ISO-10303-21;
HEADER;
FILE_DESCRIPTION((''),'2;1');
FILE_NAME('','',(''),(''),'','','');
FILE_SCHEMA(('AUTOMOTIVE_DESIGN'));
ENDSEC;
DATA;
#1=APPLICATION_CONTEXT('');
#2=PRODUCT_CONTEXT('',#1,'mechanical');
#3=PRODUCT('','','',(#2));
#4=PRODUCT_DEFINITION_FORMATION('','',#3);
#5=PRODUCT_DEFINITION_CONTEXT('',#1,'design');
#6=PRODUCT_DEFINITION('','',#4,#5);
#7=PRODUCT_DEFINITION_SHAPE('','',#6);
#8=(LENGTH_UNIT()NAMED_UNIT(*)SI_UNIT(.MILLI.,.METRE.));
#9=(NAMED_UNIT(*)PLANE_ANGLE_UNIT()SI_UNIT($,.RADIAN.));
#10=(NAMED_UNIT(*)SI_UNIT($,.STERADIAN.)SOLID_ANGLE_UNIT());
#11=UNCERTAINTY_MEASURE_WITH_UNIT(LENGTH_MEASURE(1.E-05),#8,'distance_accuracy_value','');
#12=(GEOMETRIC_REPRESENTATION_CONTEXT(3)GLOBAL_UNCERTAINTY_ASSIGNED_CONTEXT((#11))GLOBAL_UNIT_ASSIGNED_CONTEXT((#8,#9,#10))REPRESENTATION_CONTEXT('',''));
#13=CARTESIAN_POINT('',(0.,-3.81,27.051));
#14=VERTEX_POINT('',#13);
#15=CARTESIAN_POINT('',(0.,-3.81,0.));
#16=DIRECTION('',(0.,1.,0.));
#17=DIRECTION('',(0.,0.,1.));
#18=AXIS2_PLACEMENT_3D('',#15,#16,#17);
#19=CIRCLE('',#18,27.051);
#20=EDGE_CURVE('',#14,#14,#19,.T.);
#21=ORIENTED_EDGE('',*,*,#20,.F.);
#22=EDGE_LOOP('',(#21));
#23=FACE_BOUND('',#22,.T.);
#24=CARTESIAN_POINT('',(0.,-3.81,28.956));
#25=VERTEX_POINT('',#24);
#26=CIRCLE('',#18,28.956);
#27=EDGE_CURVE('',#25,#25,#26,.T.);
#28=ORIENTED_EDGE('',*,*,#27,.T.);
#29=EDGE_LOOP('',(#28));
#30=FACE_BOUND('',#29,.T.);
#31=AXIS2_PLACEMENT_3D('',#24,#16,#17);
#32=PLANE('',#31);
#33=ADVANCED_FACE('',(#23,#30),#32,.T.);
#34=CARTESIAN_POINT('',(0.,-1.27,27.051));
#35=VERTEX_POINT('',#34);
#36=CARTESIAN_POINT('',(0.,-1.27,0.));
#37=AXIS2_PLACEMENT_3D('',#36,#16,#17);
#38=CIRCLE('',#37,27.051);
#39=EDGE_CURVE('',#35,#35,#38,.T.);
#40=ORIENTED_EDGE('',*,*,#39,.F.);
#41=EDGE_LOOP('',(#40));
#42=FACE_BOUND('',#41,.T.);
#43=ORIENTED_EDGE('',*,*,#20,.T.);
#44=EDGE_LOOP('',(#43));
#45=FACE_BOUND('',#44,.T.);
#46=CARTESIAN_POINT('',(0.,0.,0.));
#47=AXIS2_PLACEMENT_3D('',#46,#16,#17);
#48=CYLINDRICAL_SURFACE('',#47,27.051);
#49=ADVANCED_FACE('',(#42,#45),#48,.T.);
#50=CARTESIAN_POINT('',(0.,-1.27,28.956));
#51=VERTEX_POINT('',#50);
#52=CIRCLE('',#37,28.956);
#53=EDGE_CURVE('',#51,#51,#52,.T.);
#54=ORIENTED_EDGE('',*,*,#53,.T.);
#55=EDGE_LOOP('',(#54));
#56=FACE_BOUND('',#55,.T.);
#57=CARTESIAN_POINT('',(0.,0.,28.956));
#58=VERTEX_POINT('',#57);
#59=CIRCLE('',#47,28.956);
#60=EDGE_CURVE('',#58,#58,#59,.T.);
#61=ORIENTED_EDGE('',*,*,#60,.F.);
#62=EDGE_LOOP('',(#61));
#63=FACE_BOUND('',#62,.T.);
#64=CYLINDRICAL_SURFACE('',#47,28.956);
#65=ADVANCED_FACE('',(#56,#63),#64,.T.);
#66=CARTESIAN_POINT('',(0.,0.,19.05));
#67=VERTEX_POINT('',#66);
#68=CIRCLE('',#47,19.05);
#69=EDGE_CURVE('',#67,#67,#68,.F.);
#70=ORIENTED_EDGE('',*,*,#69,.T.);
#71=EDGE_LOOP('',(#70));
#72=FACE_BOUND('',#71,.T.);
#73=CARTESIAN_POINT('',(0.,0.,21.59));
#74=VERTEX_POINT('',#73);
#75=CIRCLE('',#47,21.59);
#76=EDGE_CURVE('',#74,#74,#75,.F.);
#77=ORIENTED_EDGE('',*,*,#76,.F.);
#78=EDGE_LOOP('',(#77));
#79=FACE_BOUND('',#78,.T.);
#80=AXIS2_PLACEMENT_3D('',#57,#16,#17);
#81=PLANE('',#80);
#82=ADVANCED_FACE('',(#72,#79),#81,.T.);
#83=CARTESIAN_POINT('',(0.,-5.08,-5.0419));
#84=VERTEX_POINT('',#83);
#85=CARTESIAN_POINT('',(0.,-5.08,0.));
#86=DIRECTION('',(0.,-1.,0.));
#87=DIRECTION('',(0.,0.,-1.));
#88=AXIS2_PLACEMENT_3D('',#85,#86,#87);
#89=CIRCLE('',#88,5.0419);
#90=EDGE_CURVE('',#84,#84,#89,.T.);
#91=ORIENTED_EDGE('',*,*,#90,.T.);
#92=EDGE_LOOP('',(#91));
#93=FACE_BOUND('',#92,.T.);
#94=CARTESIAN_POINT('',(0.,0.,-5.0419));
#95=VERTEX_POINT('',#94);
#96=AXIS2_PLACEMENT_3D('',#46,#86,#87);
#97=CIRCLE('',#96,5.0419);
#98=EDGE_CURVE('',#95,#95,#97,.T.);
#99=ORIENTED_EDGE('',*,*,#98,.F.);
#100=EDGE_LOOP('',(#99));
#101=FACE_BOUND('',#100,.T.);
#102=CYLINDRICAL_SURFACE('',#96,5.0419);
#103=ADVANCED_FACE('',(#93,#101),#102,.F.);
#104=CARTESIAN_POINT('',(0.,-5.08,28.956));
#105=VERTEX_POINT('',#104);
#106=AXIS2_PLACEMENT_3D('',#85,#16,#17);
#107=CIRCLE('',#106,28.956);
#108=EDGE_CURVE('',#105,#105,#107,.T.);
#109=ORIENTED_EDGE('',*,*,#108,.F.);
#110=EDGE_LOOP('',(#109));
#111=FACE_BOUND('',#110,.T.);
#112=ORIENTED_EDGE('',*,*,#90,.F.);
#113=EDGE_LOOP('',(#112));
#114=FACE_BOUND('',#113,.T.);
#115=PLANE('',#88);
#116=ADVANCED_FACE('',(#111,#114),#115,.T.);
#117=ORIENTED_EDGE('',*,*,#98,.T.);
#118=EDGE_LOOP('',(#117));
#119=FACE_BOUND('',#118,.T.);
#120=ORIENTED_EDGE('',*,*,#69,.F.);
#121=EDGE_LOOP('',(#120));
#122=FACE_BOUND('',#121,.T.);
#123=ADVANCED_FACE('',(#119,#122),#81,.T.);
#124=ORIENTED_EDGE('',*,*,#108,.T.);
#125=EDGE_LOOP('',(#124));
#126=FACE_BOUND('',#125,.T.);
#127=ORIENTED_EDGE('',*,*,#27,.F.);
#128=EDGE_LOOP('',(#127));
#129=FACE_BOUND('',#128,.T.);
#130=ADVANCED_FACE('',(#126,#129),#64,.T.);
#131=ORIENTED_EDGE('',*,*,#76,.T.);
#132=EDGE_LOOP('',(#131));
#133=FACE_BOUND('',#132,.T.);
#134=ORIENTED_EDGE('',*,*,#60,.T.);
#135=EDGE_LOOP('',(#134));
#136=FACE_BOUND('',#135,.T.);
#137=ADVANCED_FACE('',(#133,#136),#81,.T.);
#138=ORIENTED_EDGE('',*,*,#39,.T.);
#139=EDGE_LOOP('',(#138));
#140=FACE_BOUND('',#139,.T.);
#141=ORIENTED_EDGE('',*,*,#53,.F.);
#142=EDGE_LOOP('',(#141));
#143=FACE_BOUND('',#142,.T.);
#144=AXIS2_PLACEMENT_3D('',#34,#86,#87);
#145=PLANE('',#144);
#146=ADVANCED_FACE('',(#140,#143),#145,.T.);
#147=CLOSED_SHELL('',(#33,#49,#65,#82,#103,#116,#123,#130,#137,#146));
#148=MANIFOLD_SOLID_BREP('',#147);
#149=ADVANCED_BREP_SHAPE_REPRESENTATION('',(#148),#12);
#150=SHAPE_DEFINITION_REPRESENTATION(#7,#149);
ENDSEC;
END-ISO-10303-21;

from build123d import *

# Parameters (mm, degrees)
SKETCH6_R          = 5.0419
CUT_EXTRUDE1_DEPTH = 6.08


with BuildPart() as part:
    # Sketch1 → Revolve1 (revolve)
    with BuildSketch(Plane(origin=(0, 0, 0), x_dir=(0, 0, -1), z_dir=(1, 0, 0))):
        Polygon((0, 0), (0, -5.08), (-28.956, -5.08), (-28.956, -3.81), (-27.051, -3.81), (-27.051, -1.27), (-28.956, -1.27), (-28.956, 0), align=None)
    revolve(axis=Axis((0, 0, 0), (0, -1, 0)))

    # Sketch6 → Cut-Extrude1 (cut, through all)
    with BuildSketch(Plane.XZ.offset(5.08)):
        Circle(SKETCH6_R)
    extrude(amount=-CUT_EXTRUDE1_DEPTH, mode=Mode.SUBTRACT)


solid = part.part
